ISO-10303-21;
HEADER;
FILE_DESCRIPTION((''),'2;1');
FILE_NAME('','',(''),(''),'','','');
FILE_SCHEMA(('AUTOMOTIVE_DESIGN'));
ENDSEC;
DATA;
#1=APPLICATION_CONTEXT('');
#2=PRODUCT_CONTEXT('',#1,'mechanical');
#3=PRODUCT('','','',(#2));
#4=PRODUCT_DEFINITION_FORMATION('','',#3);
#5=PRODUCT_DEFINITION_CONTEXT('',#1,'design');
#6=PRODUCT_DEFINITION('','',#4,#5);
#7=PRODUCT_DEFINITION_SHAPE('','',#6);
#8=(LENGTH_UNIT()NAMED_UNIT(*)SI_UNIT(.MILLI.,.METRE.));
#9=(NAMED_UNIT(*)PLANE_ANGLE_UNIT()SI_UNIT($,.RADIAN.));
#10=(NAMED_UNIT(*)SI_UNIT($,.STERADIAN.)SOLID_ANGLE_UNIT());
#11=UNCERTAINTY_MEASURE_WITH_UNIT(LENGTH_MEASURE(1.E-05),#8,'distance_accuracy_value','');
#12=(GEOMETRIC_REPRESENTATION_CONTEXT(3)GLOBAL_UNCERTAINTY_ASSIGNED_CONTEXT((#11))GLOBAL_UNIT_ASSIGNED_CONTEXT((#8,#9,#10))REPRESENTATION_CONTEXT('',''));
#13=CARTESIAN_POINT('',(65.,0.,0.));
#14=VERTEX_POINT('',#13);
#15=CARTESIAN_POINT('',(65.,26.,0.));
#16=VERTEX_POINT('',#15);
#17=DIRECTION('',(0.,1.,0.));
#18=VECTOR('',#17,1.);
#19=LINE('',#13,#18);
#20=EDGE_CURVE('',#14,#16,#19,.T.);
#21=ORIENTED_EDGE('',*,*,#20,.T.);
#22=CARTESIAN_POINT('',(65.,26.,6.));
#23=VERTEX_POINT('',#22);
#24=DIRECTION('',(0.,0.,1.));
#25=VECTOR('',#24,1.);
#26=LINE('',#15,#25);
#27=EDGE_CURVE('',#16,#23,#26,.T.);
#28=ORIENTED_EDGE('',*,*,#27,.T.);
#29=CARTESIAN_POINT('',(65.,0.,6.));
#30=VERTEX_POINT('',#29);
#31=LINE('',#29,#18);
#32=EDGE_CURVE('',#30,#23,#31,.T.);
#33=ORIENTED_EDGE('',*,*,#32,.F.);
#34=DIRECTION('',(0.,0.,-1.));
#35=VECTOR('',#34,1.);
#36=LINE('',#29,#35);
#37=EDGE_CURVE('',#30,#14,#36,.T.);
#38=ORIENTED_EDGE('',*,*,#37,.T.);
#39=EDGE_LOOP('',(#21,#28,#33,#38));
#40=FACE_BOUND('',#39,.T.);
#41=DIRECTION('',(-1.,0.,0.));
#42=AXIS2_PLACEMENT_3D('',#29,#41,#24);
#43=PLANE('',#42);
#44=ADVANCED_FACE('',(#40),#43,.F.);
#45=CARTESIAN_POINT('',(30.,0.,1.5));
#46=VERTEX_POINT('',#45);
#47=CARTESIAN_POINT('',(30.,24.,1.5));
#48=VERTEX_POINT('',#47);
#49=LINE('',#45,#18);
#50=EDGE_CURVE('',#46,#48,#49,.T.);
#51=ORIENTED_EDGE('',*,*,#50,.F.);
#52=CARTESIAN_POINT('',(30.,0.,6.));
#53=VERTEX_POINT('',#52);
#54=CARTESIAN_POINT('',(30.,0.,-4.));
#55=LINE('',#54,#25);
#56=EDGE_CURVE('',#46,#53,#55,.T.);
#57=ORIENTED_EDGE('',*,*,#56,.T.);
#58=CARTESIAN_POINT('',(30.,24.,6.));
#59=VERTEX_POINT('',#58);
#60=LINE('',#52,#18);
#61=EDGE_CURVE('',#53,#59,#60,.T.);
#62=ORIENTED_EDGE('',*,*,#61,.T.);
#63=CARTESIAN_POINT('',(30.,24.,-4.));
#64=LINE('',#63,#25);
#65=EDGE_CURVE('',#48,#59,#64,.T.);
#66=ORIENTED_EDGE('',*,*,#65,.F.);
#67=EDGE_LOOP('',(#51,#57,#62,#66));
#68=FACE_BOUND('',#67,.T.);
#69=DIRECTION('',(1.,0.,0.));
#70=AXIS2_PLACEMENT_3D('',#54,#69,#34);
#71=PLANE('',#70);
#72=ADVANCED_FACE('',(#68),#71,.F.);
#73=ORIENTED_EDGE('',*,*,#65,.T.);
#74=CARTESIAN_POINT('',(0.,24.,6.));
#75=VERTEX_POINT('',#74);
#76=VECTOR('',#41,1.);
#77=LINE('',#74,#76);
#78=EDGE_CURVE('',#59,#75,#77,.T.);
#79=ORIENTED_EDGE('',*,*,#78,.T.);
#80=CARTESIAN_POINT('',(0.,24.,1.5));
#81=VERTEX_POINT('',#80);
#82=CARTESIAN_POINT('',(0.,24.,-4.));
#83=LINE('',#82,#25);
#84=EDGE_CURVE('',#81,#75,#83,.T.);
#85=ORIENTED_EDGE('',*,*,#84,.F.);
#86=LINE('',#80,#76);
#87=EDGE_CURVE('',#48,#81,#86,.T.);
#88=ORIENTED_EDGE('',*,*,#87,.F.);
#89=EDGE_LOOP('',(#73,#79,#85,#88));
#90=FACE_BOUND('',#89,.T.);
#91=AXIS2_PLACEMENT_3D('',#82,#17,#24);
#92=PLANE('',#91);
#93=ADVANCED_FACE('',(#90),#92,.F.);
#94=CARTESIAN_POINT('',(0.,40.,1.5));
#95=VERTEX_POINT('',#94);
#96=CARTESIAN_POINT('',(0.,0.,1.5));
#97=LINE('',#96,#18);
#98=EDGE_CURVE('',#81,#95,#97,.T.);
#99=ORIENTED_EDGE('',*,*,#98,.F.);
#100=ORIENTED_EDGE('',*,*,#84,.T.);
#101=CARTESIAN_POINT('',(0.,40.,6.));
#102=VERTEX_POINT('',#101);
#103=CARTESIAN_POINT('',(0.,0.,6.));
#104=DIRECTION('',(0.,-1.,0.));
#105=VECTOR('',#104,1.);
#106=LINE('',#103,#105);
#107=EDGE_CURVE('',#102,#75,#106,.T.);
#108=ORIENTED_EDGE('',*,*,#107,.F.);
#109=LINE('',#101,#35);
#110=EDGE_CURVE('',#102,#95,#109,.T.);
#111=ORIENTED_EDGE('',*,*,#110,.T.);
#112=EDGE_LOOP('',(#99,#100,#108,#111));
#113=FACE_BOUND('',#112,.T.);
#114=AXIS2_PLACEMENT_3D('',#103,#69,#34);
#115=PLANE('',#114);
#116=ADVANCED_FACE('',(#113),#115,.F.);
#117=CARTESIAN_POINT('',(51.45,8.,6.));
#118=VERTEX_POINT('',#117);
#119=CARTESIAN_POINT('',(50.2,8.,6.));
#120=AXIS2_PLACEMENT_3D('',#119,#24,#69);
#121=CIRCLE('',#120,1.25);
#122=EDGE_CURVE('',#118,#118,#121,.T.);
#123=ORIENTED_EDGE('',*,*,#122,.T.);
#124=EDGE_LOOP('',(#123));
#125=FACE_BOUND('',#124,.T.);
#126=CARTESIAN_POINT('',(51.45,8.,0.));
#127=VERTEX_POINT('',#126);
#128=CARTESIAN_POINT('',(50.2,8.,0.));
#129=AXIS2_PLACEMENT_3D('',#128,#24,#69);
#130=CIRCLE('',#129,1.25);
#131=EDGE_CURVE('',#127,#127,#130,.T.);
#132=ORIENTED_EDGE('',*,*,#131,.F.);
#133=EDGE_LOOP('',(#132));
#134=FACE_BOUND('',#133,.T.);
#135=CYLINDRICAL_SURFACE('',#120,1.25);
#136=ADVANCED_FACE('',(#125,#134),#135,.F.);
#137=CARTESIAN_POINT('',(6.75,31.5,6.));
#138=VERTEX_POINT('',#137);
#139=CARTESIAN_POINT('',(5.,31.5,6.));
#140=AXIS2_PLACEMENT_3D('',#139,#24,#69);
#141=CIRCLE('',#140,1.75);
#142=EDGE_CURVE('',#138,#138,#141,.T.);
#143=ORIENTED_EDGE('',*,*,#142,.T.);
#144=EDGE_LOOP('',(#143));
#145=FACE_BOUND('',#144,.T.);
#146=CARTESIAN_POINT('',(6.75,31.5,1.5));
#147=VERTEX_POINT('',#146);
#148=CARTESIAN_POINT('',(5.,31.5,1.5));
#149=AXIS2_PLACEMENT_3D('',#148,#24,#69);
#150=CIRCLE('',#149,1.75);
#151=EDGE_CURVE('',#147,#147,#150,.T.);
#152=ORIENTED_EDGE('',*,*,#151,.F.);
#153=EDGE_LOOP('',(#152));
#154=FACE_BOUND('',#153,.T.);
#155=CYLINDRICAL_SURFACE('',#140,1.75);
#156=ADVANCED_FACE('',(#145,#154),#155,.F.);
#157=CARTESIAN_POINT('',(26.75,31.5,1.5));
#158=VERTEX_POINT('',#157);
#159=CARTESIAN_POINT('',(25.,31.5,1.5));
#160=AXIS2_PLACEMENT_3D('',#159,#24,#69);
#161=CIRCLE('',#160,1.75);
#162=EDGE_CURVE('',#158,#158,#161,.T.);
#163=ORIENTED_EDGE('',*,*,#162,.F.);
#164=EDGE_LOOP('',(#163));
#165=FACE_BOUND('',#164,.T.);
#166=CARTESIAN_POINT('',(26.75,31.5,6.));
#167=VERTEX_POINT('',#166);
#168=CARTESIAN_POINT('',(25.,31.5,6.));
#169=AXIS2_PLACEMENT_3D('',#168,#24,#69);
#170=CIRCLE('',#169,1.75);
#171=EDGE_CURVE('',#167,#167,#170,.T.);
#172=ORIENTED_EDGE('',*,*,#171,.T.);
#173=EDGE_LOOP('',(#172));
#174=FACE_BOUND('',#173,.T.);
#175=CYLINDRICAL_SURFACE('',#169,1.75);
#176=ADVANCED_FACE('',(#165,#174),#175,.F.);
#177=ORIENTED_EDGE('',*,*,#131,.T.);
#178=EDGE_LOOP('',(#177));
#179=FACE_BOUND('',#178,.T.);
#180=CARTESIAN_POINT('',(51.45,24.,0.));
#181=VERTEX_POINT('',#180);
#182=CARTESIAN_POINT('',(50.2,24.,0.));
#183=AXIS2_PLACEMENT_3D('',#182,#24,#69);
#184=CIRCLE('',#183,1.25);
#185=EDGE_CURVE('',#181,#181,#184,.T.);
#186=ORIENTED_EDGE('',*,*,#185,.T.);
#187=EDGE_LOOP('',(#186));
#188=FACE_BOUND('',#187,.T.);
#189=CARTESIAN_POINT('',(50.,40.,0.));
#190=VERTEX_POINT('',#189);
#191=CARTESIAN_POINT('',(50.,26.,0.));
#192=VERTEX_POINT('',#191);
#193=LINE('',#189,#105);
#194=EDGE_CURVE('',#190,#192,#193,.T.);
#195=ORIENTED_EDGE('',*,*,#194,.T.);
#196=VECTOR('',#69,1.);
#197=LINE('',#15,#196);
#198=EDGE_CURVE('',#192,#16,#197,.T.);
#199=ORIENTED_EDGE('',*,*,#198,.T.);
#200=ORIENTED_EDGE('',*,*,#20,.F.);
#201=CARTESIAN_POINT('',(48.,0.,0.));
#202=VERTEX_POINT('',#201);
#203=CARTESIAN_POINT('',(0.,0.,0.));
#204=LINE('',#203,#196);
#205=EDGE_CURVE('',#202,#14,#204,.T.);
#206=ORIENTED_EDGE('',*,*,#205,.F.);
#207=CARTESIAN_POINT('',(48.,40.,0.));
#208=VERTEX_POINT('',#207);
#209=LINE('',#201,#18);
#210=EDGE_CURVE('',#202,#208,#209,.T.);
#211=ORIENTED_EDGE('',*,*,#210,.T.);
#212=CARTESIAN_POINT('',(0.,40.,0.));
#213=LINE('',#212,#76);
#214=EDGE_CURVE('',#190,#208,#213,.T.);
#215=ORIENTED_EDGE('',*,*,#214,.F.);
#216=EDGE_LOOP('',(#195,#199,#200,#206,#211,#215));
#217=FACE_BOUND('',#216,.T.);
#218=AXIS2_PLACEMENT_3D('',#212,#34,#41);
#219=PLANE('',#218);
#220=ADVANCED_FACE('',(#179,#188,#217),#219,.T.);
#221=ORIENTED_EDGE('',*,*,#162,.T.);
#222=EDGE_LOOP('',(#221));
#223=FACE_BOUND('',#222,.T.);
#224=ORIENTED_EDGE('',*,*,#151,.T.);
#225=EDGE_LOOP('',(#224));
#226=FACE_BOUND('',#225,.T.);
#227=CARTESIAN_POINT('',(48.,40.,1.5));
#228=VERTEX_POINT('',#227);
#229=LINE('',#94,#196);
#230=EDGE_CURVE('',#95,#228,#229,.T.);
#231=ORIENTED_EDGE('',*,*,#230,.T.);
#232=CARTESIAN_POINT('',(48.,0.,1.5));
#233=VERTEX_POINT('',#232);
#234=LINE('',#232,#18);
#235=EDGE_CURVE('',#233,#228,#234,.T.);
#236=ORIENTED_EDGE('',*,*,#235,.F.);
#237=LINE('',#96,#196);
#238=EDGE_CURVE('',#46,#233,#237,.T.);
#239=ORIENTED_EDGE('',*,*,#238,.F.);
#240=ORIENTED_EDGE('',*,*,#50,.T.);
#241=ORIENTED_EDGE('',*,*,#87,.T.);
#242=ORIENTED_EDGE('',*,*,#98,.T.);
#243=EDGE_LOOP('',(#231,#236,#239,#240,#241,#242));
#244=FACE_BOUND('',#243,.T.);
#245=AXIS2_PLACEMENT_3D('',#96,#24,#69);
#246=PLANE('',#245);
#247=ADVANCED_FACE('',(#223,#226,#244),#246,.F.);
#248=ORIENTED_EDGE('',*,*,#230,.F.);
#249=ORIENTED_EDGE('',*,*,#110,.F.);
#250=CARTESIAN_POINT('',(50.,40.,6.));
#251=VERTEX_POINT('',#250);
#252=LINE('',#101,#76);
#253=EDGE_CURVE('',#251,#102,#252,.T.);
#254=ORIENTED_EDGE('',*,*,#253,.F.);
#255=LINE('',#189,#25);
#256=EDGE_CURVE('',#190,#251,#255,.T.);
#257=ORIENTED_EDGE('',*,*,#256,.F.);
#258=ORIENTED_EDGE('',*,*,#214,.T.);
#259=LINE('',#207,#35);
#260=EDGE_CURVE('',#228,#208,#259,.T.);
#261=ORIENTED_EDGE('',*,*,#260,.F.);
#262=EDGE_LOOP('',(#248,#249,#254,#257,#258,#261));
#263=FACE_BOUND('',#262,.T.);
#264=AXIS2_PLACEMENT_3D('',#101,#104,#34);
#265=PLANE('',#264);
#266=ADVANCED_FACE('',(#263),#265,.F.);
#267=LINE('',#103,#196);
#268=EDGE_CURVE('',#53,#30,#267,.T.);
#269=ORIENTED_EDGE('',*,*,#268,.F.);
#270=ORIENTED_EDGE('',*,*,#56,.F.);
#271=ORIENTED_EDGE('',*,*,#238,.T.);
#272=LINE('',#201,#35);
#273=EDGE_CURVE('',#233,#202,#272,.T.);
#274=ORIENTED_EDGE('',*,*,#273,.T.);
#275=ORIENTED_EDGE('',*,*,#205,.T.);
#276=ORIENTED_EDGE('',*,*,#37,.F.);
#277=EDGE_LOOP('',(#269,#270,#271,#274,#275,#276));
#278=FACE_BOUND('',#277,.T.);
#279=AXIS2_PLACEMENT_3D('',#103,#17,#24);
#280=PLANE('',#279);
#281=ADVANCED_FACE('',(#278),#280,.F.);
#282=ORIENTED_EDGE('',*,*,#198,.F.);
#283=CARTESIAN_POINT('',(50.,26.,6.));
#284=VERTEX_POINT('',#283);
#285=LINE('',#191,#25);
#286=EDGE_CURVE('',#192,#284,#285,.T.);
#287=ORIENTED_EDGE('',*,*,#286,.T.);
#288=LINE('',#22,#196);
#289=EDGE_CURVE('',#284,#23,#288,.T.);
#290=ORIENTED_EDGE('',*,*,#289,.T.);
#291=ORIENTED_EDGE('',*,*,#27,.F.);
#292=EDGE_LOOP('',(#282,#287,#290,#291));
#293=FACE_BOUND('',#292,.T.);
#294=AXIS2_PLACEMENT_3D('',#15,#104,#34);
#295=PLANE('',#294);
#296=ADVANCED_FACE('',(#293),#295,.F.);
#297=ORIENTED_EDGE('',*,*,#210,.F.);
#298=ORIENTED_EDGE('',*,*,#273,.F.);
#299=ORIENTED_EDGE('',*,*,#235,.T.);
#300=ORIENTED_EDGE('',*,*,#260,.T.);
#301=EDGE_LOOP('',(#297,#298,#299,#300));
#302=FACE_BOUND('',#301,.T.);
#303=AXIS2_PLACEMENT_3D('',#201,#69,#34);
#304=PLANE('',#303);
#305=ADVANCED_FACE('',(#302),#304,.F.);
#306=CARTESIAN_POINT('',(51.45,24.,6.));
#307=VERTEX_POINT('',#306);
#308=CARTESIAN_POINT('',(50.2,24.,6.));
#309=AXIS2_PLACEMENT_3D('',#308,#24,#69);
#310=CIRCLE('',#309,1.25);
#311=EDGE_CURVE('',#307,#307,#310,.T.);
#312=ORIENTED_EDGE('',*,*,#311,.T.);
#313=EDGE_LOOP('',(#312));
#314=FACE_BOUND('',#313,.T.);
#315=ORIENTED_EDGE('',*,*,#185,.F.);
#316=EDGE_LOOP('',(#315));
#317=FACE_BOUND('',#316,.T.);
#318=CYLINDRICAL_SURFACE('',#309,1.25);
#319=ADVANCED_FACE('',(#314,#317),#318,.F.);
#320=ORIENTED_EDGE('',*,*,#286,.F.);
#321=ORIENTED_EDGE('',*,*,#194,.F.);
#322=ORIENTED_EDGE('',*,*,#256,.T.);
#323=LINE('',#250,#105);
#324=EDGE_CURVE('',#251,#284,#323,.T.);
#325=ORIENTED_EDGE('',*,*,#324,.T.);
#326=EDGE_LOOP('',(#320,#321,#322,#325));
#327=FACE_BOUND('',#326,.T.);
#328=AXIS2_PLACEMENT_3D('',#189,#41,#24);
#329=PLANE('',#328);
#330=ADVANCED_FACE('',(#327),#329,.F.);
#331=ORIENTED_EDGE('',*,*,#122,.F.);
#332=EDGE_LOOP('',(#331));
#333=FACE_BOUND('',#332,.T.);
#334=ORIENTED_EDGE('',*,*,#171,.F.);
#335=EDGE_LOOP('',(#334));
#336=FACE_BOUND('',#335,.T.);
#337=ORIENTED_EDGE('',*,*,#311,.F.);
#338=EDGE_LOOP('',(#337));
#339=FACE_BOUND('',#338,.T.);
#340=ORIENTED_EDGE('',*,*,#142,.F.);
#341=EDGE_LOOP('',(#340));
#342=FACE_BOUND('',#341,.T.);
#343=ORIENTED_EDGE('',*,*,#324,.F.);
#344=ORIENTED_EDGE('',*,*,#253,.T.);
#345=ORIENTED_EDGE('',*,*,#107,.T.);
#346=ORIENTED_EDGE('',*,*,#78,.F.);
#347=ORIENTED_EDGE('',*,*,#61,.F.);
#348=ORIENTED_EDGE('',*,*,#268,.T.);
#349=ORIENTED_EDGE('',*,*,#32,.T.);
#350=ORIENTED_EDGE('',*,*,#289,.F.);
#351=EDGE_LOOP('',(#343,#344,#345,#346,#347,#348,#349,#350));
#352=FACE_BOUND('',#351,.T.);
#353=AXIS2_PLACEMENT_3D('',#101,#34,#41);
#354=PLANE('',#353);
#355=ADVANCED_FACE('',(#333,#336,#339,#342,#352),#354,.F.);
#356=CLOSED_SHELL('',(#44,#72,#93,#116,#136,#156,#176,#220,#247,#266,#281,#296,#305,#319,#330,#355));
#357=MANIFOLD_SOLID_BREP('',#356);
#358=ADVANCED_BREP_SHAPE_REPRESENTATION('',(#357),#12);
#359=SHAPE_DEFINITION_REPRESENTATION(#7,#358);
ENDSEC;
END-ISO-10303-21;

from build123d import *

# Parameters (mm, degrees)
SKETCH_1_W                  = 65
SKETCH_1_H                  = 40
EXTRUDE_1_DEPTH             = 6
SKETCH_2_W                  = 48
SKETCH_2_H                  = 1.5
CUT_EXTRUDE_1_DEPTH         = 77.557168182
HOLE_WIZARD_3_5_3_5_1_D     = 3.5
HOLE_WIZARD_3_5_3_5_1_DEPTH = 10
HOLE_WIZARD_3_5_3_5_1_TIP   = 1.051506083
HOLE_WIZARD_M3_1_D          = 2.5
SKETCH_7_W                  = 30
SKETCH_7_H                  = 24
CUT_EXTRUDE_2_DEPTH         = 10
SKETCH_9_W                  = 15
SKETCH_9_H                  = 14
CUT_EXTRUDE_3_DEPTH         = 77.557168182


with BuildPart() as part:
    # 草图1 → 凸台-拉伸1 (new body)
    with BuildSketch(Plane.XY):
        with Locations((32.5, 20)):
            Rectangle(SKETCH_1_W, SKETCH_1_H)
    extrude(amount=EXTRUDE_1_DEPTH)

    # 草图2 → 切除-拉伸1 (cut, through all)
    with BuildSketch(Plane(origin=(0, 40, 0), x_dir=(1, 0, 0), z_dir=(0, 1, 0))):
        with Locations((24, -0.75)):
            Rectangle(SKETCH_2_W, SKETCH_2_H)
    extrude(amount=-CUT_EXTRUDE_1_DEPTH, mode=Mode.SUBTRACT)

    # Ø3.5 (3.5) 直径孔1
    with Locations(Plane.XY.offset(6)):
        with Locations((25, 31.5), (5, 31.5)):
            Hole(HOLE_WIZARD_3_5_3_5_1_D / 2, depth=HOLE_WIZARD_3_5_3_5_1_DEPTH)
            with Locations((0, 0, -(HOLE_WIZARD_3_5_3_5_1_DEPTH + HOLE_WIZARD_3_5_3_5_1_TIP / 2))):  # 118° drill point
                Cone(0, HOLE_WIZARD_3_5_3_5_1_D / 2, HOLE_WIZARD_3_5_3_5_1_TIP, mode=Mode.SUBTRACT)

    # M3 螺纹孔1 (through all)
    with Locations(Plane.XY.offset(6)):
        with Locations((50.2, 8), (50.2, 24)):
            Hole(HOLE_WIZARD_M3_1_D / 2)

    # 草图7 → 切除-拉伸2 (cut)
    with BuildSketch(Plane.XY.offset(6)):
        with Locations((15, 12)):
            Rectangle(SKETCH_7_W, SKETCH_7_H)
    extrude(amount=-CUT_EXTRUDE_2_DEPTH, mode=Mode.SUBTRACT)

    # 草图9 → 切除-拉伸3 (cut, through all)
    with BuildSketch(Plane.XY.offset(6)):
        with Locations((57.5, 33)):
            Rectangle(SKETCH_9_W, SKETCH_9_H)
    extrude(amount=-CUT_EXTRUDE_3_DEPTH, mode=Mode.SUBTRACT)


solid = part.part
